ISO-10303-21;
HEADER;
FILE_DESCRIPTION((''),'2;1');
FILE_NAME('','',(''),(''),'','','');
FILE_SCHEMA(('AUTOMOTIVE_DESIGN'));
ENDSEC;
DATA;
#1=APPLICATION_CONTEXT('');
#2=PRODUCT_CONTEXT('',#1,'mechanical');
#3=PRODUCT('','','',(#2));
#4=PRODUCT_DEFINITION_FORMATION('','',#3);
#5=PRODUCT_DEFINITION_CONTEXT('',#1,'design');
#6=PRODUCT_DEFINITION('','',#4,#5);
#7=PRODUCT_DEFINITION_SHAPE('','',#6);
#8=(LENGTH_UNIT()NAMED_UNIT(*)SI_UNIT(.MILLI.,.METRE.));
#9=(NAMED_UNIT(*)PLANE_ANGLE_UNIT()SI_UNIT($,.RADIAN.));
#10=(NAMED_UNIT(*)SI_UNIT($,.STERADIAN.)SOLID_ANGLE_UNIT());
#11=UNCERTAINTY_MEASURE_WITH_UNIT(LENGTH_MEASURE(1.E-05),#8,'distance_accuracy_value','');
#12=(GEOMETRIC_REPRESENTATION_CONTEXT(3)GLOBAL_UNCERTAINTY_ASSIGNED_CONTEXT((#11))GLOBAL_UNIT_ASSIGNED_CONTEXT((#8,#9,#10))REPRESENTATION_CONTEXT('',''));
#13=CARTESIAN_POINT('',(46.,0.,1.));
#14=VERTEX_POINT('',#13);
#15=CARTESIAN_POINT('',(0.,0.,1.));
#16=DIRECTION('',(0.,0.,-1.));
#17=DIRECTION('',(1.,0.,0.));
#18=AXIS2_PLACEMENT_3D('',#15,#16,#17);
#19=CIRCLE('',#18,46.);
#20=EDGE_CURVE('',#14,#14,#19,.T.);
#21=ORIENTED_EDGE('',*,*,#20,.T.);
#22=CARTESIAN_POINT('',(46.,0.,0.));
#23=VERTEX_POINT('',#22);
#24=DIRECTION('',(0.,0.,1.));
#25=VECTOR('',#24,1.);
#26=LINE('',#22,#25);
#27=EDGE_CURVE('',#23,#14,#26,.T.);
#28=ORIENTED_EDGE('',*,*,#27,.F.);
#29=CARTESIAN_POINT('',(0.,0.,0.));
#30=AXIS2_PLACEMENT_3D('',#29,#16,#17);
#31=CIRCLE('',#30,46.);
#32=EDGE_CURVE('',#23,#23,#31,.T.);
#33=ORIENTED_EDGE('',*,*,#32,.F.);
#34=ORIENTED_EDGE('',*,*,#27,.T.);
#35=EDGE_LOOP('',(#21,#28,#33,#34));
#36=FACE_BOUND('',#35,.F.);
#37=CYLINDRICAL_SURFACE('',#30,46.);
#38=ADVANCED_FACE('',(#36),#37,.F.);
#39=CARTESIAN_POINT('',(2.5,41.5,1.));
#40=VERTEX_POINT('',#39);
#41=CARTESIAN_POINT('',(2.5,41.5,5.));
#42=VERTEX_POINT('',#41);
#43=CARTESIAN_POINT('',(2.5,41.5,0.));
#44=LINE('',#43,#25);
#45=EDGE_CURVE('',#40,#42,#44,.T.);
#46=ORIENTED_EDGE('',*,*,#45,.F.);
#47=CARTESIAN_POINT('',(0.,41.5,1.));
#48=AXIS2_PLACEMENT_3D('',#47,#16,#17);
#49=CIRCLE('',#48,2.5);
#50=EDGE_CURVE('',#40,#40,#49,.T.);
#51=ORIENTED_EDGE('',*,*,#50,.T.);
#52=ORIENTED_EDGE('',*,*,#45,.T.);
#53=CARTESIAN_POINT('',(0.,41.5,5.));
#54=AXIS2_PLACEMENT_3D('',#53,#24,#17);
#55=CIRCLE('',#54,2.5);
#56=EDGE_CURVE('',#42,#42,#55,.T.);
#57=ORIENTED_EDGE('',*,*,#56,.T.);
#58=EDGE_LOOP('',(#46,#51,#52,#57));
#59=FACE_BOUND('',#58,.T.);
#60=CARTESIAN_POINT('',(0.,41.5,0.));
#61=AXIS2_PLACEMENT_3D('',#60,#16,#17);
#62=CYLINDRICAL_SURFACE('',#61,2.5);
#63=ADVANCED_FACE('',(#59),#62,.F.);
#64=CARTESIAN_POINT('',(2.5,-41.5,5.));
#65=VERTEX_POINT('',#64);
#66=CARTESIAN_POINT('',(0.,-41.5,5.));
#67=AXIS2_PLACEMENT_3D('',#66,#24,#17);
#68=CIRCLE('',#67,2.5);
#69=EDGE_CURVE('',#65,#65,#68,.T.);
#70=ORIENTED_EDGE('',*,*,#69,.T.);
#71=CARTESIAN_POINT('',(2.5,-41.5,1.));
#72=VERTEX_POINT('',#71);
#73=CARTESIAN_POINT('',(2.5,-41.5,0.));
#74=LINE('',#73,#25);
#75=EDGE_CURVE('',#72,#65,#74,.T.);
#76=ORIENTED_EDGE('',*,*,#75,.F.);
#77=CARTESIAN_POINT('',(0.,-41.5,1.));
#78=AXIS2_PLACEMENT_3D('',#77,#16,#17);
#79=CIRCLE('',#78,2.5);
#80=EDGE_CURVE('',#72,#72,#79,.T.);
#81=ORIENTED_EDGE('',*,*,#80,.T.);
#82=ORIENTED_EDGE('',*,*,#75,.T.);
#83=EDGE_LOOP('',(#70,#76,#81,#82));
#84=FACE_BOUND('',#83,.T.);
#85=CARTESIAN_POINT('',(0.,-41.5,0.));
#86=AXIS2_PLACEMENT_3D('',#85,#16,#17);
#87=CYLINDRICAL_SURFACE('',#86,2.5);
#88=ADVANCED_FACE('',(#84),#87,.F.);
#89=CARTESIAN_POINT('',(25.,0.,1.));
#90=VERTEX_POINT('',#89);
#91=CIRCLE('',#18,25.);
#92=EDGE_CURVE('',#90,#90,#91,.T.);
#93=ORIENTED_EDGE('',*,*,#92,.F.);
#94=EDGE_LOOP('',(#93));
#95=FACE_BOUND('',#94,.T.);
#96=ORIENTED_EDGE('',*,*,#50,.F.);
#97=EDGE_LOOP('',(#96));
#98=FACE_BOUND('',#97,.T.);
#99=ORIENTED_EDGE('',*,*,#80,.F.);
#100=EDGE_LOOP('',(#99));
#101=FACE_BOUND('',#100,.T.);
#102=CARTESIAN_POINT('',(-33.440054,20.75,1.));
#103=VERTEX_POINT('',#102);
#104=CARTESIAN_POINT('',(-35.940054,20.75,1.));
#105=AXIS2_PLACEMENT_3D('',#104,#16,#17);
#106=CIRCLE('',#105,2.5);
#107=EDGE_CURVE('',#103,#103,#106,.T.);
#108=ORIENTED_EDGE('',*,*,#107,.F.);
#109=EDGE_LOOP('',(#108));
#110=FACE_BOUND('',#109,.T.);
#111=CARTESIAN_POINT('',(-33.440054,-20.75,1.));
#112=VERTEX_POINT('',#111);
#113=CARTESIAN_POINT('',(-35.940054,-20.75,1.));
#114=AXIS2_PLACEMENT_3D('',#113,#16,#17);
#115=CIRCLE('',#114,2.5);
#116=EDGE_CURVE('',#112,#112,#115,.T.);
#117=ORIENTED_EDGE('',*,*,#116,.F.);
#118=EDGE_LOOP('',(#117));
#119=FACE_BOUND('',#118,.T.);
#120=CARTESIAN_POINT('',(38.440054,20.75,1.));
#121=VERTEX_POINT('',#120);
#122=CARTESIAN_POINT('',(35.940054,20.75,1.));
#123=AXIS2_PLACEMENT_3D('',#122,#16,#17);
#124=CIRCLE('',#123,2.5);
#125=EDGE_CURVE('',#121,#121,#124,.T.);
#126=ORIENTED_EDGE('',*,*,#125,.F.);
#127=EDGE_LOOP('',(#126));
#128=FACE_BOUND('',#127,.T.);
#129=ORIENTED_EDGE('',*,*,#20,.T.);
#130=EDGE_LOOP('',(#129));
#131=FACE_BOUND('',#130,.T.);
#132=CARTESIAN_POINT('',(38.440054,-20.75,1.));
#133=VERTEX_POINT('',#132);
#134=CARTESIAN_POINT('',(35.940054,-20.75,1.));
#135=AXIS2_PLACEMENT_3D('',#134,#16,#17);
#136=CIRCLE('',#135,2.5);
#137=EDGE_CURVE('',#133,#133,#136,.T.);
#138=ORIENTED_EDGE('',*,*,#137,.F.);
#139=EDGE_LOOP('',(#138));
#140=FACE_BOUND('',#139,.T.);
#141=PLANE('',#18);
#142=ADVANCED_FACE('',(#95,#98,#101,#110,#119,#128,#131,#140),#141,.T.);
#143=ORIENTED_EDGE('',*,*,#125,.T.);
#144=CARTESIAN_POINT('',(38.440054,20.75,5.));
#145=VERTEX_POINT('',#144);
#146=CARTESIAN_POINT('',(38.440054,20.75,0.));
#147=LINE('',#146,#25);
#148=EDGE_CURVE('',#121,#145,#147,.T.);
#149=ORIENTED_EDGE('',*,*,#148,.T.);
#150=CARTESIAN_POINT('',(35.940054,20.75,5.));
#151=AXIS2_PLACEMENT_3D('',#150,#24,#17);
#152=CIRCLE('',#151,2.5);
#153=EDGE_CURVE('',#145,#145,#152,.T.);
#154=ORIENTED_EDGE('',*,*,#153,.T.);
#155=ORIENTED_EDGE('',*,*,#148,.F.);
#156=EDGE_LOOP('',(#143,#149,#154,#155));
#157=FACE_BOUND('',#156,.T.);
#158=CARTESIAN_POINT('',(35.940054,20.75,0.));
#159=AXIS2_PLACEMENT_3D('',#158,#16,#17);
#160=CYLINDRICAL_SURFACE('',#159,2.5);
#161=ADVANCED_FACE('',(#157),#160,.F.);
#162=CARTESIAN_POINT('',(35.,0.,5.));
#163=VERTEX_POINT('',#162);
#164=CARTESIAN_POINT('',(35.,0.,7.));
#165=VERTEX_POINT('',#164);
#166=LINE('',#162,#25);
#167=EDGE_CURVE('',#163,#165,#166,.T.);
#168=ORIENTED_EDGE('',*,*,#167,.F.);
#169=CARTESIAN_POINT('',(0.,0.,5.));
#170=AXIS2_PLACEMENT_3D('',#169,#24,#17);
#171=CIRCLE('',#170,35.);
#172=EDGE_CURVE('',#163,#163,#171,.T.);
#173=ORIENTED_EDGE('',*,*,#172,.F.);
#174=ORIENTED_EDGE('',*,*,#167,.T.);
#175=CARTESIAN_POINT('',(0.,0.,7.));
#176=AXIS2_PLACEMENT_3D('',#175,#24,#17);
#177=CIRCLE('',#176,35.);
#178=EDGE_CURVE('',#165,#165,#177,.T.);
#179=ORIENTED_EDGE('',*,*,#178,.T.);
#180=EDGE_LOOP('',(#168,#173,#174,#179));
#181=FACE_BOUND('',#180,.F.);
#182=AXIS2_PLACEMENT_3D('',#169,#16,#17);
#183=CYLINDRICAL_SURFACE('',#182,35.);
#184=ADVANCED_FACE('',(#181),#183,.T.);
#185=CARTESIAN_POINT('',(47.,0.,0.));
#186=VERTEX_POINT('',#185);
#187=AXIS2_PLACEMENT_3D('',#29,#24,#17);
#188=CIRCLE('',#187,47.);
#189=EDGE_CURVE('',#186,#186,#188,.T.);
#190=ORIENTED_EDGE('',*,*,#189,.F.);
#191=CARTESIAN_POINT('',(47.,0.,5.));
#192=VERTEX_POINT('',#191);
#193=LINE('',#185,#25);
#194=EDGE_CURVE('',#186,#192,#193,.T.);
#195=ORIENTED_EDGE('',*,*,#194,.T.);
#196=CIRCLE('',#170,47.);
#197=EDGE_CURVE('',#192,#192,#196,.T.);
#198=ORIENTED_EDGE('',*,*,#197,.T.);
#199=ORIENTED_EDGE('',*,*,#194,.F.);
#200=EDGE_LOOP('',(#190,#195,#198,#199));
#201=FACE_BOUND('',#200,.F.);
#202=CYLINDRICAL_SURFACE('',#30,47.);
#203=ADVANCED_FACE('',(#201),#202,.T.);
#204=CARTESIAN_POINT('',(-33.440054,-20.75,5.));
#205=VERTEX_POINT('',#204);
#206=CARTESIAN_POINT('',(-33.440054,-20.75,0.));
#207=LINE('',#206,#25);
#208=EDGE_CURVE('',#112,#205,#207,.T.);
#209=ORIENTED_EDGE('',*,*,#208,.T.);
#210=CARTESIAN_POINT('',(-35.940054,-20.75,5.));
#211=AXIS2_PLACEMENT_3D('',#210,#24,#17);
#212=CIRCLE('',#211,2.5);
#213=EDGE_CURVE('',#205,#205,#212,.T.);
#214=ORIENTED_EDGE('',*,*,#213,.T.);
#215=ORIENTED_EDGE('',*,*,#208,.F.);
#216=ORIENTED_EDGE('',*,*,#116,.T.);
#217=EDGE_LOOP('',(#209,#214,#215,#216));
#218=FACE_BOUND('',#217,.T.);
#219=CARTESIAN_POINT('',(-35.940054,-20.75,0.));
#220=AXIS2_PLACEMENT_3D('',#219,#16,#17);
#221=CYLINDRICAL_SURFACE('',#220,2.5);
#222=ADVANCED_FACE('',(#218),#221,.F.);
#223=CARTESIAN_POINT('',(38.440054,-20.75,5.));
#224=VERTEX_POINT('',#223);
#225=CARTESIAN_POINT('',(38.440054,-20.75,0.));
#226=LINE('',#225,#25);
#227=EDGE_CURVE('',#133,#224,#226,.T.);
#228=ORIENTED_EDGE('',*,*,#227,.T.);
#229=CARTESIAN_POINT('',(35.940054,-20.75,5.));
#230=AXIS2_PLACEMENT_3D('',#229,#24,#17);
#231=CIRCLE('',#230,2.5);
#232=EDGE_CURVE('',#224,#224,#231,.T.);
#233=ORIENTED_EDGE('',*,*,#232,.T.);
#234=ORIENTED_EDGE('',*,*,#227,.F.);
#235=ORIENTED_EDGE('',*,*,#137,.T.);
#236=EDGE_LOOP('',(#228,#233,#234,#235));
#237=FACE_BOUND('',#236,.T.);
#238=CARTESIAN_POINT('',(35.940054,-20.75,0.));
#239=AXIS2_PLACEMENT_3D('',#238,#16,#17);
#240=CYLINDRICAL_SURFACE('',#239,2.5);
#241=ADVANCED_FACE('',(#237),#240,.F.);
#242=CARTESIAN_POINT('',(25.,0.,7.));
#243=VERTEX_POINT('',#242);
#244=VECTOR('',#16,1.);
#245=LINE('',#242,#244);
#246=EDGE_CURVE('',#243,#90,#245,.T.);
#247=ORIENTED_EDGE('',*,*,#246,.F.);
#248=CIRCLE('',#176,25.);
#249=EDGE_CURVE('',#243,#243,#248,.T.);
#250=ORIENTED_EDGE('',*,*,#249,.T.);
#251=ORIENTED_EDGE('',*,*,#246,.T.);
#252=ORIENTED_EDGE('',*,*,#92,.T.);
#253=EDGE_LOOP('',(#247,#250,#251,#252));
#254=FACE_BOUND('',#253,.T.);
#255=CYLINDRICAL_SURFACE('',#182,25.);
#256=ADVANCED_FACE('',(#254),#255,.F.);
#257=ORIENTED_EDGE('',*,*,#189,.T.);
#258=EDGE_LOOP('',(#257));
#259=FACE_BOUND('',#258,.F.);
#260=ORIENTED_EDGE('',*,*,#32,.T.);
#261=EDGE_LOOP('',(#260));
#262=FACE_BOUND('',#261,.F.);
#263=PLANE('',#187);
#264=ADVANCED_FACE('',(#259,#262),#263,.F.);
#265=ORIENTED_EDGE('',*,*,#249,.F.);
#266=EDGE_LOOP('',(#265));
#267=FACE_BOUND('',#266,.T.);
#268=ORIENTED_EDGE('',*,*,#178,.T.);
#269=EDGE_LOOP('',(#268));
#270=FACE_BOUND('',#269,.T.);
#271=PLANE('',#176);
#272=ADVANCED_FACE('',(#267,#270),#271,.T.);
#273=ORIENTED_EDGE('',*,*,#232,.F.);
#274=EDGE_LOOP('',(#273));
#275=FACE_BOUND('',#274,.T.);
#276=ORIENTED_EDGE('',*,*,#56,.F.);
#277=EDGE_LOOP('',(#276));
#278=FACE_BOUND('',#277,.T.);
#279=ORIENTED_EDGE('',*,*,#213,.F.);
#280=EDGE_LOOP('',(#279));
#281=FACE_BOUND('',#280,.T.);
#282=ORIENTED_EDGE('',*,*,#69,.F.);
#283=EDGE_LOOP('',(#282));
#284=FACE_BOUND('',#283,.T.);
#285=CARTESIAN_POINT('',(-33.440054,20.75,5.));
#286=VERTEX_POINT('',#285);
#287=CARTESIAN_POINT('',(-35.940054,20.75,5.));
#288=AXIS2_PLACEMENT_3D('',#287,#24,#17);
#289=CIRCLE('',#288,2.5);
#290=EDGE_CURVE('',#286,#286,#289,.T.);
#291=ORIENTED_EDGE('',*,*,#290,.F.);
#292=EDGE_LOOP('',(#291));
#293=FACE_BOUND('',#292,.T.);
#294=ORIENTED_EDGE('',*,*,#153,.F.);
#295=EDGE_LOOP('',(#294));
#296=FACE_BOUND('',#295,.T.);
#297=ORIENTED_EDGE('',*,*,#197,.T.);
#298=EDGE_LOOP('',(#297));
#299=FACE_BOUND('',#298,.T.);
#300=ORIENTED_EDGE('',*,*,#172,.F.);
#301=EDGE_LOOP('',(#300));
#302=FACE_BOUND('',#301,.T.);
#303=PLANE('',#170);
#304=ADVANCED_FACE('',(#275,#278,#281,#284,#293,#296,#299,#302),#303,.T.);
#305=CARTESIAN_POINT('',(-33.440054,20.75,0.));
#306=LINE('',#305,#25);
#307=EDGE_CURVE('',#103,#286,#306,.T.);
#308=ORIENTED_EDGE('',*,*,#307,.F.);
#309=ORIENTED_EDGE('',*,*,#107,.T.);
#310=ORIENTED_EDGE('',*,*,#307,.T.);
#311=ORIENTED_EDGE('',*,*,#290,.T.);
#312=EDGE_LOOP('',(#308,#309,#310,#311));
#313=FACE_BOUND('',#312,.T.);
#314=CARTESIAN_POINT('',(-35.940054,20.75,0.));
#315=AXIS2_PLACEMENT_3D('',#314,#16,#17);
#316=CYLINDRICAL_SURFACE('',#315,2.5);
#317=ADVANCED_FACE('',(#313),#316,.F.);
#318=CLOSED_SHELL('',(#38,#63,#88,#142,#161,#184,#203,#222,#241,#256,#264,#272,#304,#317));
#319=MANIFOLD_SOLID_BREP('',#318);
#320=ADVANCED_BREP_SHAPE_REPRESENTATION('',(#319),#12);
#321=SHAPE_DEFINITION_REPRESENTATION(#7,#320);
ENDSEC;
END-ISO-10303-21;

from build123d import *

# Parameters (mm, degrees)
F0_R     = 47
F0_R_2   = 2.5
F0_R_3   = 25
F1_DEPTH = 5
F2_R     = 35
F2_R_2   = 25
F3_DEPTH = 2
F4_R     = 46
F5_DEPTH = 1


with BuildPart() as f1:
    # F0 (on Top) → F1 (new body)
    with BuildSketch(Plane.XY):
        Circle(F0_R)
        with Locations((-35.940054, -20.75)):
            Circle(F0_R_2, mode=Mode.SUBTRACT)
        with Locations((0, -41.5)):
            Circle(F0_R_2, mode=Mode.SUBTRACT)
        with Locations((35.940054, -20.75)):
            Circle(F0_R_2, mode=Mode.SUBTRACT)
        with Locations((-35.940054, 20.75)):
            Circle(F0_R_2, mode=Mode.SUBTRACT)
        Circle(F0_R_3, mode=Mode.SUBTRACT)
        with Locations((35.940054, 20.75)):
            Circle(F0_R_2, mode=Mode.SUBTRACT)
        with Locations((0, 41.5)):
            Circle(F0_R_2, mode=Mode.SUBTRACT)
    extrude(amount=F1_DEPTH)

    # F2 (on face) → F3 (join)
    with BuildSketch(Plane.XY.offset(5)):
        Circle(F2_R)
        Circle(F2_R_2, mode=Mode.SUBTRACT)
    extrude(amount=F3_DEPTH)

    # F4 (on face) → F5 (cut)
    with BuildSketch(Plane(origin=(0, 0, 0), x_dir=(1, 0, 0), z_dir=(0, 0, -1))):
        Circle(F4_R)
    extrude(amount=-F5_DEPTH, mode=Mode.SUBTRACT)


solid = f1.part
